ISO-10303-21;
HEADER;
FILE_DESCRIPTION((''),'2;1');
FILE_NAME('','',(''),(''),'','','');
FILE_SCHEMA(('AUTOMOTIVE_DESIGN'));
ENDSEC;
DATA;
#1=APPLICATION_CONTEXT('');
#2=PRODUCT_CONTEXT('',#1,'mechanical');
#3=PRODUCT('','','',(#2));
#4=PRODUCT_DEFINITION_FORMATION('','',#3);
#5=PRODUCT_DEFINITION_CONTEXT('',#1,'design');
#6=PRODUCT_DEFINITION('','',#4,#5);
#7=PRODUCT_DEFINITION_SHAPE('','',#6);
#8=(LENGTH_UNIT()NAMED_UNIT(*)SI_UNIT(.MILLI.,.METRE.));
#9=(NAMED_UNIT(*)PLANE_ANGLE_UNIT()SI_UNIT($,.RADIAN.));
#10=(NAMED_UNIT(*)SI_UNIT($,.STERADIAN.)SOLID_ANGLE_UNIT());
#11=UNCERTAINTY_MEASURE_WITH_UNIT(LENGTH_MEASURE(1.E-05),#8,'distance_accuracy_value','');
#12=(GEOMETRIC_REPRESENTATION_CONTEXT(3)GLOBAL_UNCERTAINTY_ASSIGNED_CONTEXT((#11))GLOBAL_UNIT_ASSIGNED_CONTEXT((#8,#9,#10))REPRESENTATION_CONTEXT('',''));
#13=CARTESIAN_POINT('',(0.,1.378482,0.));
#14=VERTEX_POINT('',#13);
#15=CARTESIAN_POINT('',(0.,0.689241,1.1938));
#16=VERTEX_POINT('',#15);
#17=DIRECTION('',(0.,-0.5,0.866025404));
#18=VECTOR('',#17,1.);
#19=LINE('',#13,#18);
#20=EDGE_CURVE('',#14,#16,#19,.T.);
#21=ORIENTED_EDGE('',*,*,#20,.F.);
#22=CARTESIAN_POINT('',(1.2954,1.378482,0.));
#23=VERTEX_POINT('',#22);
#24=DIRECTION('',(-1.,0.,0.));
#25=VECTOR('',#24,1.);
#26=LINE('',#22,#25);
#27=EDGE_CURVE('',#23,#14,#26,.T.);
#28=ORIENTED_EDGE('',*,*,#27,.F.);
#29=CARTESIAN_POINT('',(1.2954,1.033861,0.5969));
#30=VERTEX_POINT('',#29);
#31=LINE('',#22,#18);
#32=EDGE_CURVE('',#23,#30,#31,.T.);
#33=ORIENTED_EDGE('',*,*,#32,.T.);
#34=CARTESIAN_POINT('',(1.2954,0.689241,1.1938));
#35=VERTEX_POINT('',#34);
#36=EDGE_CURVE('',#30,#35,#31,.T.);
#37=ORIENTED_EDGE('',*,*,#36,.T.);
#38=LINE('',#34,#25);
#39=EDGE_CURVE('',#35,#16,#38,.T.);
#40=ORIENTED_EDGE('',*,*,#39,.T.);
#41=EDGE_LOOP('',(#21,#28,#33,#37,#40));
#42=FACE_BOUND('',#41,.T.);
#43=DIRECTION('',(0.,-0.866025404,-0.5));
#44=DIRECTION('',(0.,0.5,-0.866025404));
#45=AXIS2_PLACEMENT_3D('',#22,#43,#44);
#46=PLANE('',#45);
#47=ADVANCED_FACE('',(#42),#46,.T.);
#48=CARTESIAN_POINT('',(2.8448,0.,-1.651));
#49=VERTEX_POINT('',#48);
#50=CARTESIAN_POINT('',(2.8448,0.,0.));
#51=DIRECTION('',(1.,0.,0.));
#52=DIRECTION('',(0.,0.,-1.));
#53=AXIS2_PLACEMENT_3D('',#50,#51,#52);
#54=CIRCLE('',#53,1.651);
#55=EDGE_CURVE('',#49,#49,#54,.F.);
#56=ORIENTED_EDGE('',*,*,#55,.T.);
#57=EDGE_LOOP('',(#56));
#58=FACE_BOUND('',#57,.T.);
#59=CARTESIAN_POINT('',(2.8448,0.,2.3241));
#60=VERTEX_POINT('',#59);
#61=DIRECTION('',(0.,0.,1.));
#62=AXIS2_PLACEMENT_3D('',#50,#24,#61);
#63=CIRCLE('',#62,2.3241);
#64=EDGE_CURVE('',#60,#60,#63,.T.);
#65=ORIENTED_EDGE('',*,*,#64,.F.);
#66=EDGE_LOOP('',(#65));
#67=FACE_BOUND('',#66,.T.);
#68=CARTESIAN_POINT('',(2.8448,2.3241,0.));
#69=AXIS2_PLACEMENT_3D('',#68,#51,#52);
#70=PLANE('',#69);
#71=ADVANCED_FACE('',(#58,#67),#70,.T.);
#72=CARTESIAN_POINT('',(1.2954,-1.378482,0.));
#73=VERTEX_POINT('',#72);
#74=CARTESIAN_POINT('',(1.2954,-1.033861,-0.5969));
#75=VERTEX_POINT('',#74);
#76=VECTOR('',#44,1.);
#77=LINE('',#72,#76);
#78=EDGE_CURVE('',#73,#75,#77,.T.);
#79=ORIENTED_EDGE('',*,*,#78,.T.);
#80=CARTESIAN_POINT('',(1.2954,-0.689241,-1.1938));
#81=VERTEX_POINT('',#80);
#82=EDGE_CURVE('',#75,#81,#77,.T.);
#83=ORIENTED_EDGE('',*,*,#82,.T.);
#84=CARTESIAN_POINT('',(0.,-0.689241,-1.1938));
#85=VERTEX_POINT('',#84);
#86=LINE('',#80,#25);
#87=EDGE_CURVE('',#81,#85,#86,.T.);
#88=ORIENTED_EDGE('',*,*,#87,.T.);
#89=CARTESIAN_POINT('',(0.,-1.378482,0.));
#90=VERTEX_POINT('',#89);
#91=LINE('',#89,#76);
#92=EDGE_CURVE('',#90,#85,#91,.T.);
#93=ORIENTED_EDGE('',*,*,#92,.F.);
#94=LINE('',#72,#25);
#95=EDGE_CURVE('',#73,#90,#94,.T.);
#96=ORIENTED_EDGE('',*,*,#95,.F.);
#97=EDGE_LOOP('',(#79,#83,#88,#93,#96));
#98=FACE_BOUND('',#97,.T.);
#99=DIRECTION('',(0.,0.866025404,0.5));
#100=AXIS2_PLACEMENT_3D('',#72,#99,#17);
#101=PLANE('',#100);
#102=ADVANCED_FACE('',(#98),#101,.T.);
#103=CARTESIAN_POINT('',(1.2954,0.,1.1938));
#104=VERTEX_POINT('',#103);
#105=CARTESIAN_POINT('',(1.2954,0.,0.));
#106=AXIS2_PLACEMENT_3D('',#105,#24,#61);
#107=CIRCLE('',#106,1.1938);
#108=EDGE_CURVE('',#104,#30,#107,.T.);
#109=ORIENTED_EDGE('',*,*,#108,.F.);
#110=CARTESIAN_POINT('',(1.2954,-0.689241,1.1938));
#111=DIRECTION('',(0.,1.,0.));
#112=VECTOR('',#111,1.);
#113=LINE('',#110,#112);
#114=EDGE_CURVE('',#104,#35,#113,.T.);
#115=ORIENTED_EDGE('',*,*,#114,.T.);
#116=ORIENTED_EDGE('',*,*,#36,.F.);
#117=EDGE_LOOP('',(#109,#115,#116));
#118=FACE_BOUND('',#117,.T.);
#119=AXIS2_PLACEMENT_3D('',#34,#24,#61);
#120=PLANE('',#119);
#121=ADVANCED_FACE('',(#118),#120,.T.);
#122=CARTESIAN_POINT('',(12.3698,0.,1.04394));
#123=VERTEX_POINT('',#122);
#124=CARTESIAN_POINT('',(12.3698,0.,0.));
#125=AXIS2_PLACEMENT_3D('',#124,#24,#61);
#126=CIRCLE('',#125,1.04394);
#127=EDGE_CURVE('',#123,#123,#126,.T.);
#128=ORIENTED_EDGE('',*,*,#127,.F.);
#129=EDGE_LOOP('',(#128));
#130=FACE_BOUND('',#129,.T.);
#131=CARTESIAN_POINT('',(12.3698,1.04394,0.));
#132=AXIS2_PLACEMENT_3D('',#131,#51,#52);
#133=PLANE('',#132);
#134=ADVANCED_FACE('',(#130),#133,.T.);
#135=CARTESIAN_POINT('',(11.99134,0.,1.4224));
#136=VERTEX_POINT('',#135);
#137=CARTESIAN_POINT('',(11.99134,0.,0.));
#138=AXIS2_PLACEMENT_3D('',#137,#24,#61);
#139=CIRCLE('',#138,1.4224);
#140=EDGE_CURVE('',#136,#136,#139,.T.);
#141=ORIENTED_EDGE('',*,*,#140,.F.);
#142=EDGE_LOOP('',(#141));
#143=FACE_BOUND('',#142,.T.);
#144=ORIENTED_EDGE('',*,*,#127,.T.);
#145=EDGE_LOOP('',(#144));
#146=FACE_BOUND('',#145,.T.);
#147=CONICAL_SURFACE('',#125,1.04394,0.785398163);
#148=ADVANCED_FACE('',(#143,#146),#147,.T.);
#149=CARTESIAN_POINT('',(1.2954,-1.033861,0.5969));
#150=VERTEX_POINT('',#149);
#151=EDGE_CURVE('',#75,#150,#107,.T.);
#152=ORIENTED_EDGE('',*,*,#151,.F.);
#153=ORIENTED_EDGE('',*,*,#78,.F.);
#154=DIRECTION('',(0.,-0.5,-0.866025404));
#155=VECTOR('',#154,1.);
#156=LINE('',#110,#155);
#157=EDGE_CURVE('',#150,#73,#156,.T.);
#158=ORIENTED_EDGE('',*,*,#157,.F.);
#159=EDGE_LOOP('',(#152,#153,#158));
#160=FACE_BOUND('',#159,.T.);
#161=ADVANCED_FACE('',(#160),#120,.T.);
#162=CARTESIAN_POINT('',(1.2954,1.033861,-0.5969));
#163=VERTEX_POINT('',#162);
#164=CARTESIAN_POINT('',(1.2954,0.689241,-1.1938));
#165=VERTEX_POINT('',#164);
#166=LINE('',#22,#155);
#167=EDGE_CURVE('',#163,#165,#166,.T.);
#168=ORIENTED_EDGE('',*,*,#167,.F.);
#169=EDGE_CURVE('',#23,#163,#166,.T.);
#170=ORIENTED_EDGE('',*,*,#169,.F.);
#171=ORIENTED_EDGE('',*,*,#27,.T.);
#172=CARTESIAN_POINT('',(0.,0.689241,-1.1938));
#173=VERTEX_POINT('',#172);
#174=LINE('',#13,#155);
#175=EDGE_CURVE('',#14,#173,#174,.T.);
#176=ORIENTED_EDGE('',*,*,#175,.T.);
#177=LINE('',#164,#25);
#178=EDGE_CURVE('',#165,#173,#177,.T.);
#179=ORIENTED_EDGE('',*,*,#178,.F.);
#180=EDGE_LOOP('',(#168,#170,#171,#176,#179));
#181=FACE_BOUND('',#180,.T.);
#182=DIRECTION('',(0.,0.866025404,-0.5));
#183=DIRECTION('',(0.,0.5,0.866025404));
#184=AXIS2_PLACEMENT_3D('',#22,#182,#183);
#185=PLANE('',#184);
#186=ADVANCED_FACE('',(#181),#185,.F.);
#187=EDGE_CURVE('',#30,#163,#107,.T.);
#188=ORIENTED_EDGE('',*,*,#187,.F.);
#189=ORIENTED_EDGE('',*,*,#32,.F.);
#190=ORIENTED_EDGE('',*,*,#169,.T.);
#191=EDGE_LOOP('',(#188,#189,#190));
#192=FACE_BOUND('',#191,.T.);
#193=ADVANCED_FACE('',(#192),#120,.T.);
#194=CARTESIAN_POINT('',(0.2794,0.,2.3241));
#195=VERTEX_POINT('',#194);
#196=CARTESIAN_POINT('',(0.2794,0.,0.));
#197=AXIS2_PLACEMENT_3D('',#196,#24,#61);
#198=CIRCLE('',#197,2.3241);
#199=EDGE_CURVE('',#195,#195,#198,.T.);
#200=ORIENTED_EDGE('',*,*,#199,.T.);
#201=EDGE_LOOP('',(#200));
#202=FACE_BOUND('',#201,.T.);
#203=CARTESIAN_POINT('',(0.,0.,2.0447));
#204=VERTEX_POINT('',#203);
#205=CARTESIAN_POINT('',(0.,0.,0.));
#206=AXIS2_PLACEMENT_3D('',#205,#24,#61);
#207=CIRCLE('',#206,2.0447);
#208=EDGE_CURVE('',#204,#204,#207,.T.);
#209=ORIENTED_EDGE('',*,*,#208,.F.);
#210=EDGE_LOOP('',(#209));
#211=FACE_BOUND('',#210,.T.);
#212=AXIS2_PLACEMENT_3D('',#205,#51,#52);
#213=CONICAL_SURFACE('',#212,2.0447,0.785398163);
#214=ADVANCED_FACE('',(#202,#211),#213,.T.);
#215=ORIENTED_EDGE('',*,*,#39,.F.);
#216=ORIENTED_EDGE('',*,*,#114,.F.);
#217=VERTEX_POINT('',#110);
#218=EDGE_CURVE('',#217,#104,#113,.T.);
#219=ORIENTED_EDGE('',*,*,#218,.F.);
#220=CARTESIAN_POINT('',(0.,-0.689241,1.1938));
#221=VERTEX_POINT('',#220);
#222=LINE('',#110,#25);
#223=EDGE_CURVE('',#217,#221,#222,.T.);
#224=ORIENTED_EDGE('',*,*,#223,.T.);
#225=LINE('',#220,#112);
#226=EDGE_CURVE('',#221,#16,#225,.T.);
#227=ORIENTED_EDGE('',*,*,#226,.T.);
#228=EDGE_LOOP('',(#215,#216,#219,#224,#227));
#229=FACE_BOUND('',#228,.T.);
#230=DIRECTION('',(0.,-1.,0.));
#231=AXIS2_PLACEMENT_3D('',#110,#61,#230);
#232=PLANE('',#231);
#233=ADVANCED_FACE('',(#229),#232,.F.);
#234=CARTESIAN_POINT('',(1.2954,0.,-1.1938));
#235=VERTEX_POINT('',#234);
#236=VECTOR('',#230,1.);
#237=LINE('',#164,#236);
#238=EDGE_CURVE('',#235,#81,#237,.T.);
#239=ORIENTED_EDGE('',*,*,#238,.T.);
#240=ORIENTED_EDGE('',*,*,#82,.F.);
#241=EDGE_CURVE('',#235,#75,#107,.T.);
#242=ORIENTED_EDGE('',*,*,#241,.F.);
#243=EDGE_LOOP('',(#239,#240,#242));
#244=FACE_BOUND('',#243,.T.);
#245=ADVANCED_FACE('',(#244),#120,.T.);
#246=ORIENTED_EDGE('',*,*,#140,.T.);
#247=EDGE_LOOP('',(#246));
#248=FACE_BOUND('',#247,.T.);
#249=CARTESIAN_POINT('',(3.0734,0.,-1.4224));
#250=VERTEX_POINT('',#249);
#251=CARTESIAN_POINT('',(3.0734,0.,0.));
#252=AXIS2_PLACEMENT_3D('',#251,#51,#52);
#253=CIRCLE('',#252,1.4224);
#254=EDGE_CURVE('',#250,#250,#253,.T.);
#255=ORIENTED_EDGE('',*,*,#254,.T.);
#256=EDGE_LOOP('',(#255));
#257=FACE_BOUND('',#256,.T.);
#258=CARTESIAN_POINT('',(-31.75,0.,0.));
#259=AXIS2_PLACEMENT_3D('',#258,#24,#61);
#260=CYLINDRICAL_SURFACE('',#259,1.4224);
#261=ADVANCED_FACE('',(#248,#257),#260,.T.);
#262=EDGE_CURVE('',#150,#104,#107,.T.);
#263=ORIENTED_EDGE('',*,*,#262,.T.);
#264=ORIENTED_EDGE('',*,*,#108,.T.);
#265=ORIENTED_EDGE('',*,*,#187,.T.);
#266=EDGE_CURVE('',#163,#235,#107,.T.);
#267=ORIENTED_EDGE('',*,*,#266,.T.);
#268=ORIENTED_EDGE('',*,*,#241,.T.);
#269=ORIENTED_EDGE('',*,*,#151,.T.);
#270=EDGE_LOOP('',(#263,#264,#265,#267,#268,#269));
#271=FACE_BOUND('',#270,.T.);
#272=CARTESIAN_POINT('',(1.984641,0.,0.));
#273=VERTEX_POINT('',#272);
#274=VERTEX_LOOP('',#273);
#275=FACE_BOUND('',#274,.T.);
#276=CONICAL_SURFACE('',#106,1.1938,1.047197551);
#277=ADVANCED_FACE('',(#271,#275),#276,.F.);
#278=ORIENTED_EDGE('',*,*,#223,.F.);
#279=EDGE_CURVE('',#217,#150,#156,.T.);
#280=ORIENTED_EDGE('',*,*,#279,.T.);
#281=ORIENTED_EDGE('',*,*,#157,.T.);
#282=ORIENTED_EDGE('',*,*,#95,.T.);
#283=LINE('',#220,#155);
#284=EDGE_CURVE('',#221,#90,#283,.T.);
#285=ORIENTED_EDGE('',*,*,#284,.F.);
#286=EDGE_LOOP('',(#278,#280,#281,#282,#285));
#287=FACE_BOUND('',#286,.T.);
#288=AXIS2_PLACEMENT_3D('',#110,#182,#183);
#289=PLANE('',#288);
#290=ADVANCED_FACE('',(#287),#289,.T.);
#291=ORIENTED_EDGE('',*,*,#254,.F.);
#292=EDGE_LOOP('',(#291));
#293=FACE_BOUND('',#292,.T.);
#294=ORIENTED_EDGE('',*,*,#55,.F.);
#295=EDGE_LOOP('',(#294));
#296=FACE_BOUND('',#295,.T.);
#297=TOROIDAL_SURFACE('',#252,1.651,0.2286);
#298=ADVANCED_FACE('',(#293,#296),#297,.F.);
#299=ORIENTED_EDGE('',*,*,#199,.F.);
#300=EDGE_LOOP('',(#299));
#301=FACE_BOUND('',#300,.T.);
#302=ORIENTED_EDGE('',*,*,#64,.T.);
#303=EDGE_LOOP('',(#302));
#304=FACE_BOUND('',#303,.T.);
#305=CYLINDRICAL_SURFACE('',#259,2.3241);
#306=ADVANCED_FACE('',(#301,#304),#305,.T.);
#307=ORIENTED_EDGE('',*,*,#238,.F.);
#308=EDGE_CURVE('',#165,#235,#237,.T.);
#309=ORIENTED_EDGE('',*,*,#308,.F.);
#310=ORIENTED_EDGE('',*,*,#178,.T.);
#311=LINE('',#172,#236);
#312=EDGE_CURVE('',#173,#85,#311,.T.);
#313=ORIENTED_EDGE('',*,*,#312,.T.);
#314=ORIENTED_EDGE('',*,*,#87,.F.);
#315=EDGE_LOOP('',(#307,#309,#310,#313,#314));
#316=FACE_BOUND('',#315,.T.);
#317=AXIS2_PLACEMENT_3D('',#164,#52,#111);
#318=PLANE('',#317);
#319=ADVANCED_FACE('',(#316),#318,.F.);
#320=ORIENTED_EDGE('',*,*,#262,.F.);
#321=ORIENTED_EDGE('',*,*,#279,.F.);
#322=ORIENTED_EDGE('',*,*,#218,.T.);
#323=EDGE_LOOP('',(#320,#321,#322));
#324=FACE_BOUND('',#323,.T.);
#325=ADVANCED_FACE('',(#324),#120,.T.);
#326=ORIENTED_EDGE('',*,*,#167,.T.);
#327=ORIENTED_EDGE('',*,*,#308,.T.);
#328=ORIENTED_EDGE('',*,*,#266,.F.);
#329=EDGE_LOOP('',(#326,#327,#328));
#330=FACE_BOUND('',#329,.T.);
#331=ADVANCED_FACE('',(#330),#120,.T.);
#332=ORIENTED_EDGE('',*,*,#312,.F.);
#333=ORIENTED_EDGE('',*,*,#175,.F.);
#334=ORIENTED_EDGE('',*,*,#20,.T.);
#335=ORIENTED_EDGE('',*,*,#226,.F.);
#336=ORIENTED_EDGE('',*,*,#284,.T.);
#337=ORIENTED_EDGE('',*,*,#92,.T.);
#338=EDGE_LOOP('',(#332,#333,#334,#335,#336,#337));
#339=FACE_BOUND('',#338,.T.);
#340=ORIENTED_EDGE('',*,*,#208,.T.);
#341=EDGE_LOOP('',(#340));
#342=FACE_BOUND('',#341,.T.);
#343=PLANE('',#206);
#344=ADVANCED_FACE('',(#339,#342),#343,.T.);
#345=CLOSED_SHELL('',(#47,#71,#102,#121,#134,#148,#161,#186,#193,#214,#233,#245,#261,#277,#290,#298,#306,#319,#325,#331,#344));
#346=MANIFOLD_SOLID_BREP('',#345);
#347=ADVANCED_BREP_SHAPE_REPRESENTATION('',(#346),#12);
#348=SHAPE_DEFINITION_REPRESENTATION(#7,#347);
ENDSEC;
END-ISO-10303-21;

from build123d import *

# Parameters (mm, degrees)
FILLET1_R   = 0.2286
HEX_2_DEPTH = 1.2954


with BuildPart() as part:
    # BodySke → Base-Revolve (revolve)
    with BuildSketch(Plane.XY, mode=Mode.PRIVATE) as base_revolve_sk:
        Polygon((0, 0), (0, 2.0447), (0.2794, 2.3241), (2.8448, 2.3241), (2.8448, 1.4224), (11.99134, 1.4224), (12.3698, 1.04394), (12.3698, 0), align=None)
    revolve(base_revolve_sk.sketch.rotate(Axis((-31.75, 0, 0), (1, 0, 0)), 90), axis=Axis((-31.75, 0, 0), (1, 0, 0)))

    # Fillet1
    fillet1_edges = [part.edges().sort_by_distance(p)[0] for p in [
        (2.8448, 0, -1.4224),
    ]]
    fillet(fillet1_edges, radius=FILLET1_R)

    # Sketch2 → Hex-PreBroach (revolve, cut)
    with BuildSketch(Plane.XY, mode=Mode.PRIVATE) as hex_prebroach_sk:
        Polygon((0, 1.1938), (1.2954, 1.1938), (1.984640751, 0), (0, 0), align=None)
    revolve(hex_prebroach_sk.sketch.rotate(Axis((0, 0, 0), (1, 0, 0)), 90), axis=Axis((0, 0, 0), (1, 0, 0)), mode=Mode.SUBTRACT)

    # Sketch3 → Hex 2 (cut)
    with BuildSketch(Plane(origin=(0, 0, 0), x_dir=(0, 0.500000000000001, 0.866025403784438), z_dir=(-1, 0, 0))):
        Polygon((0.689240751, 1.1938), (-0.689240751, 1.1938), (-1.378481503, 0), (-0.689240751, -1.1938), (0.689240751, -1.1938), (1.378481503, 0), align=None)
    extrude(amount=-HEX_2_DEPTH, mode=Mode.SUBTRACT)


solid = part.part
